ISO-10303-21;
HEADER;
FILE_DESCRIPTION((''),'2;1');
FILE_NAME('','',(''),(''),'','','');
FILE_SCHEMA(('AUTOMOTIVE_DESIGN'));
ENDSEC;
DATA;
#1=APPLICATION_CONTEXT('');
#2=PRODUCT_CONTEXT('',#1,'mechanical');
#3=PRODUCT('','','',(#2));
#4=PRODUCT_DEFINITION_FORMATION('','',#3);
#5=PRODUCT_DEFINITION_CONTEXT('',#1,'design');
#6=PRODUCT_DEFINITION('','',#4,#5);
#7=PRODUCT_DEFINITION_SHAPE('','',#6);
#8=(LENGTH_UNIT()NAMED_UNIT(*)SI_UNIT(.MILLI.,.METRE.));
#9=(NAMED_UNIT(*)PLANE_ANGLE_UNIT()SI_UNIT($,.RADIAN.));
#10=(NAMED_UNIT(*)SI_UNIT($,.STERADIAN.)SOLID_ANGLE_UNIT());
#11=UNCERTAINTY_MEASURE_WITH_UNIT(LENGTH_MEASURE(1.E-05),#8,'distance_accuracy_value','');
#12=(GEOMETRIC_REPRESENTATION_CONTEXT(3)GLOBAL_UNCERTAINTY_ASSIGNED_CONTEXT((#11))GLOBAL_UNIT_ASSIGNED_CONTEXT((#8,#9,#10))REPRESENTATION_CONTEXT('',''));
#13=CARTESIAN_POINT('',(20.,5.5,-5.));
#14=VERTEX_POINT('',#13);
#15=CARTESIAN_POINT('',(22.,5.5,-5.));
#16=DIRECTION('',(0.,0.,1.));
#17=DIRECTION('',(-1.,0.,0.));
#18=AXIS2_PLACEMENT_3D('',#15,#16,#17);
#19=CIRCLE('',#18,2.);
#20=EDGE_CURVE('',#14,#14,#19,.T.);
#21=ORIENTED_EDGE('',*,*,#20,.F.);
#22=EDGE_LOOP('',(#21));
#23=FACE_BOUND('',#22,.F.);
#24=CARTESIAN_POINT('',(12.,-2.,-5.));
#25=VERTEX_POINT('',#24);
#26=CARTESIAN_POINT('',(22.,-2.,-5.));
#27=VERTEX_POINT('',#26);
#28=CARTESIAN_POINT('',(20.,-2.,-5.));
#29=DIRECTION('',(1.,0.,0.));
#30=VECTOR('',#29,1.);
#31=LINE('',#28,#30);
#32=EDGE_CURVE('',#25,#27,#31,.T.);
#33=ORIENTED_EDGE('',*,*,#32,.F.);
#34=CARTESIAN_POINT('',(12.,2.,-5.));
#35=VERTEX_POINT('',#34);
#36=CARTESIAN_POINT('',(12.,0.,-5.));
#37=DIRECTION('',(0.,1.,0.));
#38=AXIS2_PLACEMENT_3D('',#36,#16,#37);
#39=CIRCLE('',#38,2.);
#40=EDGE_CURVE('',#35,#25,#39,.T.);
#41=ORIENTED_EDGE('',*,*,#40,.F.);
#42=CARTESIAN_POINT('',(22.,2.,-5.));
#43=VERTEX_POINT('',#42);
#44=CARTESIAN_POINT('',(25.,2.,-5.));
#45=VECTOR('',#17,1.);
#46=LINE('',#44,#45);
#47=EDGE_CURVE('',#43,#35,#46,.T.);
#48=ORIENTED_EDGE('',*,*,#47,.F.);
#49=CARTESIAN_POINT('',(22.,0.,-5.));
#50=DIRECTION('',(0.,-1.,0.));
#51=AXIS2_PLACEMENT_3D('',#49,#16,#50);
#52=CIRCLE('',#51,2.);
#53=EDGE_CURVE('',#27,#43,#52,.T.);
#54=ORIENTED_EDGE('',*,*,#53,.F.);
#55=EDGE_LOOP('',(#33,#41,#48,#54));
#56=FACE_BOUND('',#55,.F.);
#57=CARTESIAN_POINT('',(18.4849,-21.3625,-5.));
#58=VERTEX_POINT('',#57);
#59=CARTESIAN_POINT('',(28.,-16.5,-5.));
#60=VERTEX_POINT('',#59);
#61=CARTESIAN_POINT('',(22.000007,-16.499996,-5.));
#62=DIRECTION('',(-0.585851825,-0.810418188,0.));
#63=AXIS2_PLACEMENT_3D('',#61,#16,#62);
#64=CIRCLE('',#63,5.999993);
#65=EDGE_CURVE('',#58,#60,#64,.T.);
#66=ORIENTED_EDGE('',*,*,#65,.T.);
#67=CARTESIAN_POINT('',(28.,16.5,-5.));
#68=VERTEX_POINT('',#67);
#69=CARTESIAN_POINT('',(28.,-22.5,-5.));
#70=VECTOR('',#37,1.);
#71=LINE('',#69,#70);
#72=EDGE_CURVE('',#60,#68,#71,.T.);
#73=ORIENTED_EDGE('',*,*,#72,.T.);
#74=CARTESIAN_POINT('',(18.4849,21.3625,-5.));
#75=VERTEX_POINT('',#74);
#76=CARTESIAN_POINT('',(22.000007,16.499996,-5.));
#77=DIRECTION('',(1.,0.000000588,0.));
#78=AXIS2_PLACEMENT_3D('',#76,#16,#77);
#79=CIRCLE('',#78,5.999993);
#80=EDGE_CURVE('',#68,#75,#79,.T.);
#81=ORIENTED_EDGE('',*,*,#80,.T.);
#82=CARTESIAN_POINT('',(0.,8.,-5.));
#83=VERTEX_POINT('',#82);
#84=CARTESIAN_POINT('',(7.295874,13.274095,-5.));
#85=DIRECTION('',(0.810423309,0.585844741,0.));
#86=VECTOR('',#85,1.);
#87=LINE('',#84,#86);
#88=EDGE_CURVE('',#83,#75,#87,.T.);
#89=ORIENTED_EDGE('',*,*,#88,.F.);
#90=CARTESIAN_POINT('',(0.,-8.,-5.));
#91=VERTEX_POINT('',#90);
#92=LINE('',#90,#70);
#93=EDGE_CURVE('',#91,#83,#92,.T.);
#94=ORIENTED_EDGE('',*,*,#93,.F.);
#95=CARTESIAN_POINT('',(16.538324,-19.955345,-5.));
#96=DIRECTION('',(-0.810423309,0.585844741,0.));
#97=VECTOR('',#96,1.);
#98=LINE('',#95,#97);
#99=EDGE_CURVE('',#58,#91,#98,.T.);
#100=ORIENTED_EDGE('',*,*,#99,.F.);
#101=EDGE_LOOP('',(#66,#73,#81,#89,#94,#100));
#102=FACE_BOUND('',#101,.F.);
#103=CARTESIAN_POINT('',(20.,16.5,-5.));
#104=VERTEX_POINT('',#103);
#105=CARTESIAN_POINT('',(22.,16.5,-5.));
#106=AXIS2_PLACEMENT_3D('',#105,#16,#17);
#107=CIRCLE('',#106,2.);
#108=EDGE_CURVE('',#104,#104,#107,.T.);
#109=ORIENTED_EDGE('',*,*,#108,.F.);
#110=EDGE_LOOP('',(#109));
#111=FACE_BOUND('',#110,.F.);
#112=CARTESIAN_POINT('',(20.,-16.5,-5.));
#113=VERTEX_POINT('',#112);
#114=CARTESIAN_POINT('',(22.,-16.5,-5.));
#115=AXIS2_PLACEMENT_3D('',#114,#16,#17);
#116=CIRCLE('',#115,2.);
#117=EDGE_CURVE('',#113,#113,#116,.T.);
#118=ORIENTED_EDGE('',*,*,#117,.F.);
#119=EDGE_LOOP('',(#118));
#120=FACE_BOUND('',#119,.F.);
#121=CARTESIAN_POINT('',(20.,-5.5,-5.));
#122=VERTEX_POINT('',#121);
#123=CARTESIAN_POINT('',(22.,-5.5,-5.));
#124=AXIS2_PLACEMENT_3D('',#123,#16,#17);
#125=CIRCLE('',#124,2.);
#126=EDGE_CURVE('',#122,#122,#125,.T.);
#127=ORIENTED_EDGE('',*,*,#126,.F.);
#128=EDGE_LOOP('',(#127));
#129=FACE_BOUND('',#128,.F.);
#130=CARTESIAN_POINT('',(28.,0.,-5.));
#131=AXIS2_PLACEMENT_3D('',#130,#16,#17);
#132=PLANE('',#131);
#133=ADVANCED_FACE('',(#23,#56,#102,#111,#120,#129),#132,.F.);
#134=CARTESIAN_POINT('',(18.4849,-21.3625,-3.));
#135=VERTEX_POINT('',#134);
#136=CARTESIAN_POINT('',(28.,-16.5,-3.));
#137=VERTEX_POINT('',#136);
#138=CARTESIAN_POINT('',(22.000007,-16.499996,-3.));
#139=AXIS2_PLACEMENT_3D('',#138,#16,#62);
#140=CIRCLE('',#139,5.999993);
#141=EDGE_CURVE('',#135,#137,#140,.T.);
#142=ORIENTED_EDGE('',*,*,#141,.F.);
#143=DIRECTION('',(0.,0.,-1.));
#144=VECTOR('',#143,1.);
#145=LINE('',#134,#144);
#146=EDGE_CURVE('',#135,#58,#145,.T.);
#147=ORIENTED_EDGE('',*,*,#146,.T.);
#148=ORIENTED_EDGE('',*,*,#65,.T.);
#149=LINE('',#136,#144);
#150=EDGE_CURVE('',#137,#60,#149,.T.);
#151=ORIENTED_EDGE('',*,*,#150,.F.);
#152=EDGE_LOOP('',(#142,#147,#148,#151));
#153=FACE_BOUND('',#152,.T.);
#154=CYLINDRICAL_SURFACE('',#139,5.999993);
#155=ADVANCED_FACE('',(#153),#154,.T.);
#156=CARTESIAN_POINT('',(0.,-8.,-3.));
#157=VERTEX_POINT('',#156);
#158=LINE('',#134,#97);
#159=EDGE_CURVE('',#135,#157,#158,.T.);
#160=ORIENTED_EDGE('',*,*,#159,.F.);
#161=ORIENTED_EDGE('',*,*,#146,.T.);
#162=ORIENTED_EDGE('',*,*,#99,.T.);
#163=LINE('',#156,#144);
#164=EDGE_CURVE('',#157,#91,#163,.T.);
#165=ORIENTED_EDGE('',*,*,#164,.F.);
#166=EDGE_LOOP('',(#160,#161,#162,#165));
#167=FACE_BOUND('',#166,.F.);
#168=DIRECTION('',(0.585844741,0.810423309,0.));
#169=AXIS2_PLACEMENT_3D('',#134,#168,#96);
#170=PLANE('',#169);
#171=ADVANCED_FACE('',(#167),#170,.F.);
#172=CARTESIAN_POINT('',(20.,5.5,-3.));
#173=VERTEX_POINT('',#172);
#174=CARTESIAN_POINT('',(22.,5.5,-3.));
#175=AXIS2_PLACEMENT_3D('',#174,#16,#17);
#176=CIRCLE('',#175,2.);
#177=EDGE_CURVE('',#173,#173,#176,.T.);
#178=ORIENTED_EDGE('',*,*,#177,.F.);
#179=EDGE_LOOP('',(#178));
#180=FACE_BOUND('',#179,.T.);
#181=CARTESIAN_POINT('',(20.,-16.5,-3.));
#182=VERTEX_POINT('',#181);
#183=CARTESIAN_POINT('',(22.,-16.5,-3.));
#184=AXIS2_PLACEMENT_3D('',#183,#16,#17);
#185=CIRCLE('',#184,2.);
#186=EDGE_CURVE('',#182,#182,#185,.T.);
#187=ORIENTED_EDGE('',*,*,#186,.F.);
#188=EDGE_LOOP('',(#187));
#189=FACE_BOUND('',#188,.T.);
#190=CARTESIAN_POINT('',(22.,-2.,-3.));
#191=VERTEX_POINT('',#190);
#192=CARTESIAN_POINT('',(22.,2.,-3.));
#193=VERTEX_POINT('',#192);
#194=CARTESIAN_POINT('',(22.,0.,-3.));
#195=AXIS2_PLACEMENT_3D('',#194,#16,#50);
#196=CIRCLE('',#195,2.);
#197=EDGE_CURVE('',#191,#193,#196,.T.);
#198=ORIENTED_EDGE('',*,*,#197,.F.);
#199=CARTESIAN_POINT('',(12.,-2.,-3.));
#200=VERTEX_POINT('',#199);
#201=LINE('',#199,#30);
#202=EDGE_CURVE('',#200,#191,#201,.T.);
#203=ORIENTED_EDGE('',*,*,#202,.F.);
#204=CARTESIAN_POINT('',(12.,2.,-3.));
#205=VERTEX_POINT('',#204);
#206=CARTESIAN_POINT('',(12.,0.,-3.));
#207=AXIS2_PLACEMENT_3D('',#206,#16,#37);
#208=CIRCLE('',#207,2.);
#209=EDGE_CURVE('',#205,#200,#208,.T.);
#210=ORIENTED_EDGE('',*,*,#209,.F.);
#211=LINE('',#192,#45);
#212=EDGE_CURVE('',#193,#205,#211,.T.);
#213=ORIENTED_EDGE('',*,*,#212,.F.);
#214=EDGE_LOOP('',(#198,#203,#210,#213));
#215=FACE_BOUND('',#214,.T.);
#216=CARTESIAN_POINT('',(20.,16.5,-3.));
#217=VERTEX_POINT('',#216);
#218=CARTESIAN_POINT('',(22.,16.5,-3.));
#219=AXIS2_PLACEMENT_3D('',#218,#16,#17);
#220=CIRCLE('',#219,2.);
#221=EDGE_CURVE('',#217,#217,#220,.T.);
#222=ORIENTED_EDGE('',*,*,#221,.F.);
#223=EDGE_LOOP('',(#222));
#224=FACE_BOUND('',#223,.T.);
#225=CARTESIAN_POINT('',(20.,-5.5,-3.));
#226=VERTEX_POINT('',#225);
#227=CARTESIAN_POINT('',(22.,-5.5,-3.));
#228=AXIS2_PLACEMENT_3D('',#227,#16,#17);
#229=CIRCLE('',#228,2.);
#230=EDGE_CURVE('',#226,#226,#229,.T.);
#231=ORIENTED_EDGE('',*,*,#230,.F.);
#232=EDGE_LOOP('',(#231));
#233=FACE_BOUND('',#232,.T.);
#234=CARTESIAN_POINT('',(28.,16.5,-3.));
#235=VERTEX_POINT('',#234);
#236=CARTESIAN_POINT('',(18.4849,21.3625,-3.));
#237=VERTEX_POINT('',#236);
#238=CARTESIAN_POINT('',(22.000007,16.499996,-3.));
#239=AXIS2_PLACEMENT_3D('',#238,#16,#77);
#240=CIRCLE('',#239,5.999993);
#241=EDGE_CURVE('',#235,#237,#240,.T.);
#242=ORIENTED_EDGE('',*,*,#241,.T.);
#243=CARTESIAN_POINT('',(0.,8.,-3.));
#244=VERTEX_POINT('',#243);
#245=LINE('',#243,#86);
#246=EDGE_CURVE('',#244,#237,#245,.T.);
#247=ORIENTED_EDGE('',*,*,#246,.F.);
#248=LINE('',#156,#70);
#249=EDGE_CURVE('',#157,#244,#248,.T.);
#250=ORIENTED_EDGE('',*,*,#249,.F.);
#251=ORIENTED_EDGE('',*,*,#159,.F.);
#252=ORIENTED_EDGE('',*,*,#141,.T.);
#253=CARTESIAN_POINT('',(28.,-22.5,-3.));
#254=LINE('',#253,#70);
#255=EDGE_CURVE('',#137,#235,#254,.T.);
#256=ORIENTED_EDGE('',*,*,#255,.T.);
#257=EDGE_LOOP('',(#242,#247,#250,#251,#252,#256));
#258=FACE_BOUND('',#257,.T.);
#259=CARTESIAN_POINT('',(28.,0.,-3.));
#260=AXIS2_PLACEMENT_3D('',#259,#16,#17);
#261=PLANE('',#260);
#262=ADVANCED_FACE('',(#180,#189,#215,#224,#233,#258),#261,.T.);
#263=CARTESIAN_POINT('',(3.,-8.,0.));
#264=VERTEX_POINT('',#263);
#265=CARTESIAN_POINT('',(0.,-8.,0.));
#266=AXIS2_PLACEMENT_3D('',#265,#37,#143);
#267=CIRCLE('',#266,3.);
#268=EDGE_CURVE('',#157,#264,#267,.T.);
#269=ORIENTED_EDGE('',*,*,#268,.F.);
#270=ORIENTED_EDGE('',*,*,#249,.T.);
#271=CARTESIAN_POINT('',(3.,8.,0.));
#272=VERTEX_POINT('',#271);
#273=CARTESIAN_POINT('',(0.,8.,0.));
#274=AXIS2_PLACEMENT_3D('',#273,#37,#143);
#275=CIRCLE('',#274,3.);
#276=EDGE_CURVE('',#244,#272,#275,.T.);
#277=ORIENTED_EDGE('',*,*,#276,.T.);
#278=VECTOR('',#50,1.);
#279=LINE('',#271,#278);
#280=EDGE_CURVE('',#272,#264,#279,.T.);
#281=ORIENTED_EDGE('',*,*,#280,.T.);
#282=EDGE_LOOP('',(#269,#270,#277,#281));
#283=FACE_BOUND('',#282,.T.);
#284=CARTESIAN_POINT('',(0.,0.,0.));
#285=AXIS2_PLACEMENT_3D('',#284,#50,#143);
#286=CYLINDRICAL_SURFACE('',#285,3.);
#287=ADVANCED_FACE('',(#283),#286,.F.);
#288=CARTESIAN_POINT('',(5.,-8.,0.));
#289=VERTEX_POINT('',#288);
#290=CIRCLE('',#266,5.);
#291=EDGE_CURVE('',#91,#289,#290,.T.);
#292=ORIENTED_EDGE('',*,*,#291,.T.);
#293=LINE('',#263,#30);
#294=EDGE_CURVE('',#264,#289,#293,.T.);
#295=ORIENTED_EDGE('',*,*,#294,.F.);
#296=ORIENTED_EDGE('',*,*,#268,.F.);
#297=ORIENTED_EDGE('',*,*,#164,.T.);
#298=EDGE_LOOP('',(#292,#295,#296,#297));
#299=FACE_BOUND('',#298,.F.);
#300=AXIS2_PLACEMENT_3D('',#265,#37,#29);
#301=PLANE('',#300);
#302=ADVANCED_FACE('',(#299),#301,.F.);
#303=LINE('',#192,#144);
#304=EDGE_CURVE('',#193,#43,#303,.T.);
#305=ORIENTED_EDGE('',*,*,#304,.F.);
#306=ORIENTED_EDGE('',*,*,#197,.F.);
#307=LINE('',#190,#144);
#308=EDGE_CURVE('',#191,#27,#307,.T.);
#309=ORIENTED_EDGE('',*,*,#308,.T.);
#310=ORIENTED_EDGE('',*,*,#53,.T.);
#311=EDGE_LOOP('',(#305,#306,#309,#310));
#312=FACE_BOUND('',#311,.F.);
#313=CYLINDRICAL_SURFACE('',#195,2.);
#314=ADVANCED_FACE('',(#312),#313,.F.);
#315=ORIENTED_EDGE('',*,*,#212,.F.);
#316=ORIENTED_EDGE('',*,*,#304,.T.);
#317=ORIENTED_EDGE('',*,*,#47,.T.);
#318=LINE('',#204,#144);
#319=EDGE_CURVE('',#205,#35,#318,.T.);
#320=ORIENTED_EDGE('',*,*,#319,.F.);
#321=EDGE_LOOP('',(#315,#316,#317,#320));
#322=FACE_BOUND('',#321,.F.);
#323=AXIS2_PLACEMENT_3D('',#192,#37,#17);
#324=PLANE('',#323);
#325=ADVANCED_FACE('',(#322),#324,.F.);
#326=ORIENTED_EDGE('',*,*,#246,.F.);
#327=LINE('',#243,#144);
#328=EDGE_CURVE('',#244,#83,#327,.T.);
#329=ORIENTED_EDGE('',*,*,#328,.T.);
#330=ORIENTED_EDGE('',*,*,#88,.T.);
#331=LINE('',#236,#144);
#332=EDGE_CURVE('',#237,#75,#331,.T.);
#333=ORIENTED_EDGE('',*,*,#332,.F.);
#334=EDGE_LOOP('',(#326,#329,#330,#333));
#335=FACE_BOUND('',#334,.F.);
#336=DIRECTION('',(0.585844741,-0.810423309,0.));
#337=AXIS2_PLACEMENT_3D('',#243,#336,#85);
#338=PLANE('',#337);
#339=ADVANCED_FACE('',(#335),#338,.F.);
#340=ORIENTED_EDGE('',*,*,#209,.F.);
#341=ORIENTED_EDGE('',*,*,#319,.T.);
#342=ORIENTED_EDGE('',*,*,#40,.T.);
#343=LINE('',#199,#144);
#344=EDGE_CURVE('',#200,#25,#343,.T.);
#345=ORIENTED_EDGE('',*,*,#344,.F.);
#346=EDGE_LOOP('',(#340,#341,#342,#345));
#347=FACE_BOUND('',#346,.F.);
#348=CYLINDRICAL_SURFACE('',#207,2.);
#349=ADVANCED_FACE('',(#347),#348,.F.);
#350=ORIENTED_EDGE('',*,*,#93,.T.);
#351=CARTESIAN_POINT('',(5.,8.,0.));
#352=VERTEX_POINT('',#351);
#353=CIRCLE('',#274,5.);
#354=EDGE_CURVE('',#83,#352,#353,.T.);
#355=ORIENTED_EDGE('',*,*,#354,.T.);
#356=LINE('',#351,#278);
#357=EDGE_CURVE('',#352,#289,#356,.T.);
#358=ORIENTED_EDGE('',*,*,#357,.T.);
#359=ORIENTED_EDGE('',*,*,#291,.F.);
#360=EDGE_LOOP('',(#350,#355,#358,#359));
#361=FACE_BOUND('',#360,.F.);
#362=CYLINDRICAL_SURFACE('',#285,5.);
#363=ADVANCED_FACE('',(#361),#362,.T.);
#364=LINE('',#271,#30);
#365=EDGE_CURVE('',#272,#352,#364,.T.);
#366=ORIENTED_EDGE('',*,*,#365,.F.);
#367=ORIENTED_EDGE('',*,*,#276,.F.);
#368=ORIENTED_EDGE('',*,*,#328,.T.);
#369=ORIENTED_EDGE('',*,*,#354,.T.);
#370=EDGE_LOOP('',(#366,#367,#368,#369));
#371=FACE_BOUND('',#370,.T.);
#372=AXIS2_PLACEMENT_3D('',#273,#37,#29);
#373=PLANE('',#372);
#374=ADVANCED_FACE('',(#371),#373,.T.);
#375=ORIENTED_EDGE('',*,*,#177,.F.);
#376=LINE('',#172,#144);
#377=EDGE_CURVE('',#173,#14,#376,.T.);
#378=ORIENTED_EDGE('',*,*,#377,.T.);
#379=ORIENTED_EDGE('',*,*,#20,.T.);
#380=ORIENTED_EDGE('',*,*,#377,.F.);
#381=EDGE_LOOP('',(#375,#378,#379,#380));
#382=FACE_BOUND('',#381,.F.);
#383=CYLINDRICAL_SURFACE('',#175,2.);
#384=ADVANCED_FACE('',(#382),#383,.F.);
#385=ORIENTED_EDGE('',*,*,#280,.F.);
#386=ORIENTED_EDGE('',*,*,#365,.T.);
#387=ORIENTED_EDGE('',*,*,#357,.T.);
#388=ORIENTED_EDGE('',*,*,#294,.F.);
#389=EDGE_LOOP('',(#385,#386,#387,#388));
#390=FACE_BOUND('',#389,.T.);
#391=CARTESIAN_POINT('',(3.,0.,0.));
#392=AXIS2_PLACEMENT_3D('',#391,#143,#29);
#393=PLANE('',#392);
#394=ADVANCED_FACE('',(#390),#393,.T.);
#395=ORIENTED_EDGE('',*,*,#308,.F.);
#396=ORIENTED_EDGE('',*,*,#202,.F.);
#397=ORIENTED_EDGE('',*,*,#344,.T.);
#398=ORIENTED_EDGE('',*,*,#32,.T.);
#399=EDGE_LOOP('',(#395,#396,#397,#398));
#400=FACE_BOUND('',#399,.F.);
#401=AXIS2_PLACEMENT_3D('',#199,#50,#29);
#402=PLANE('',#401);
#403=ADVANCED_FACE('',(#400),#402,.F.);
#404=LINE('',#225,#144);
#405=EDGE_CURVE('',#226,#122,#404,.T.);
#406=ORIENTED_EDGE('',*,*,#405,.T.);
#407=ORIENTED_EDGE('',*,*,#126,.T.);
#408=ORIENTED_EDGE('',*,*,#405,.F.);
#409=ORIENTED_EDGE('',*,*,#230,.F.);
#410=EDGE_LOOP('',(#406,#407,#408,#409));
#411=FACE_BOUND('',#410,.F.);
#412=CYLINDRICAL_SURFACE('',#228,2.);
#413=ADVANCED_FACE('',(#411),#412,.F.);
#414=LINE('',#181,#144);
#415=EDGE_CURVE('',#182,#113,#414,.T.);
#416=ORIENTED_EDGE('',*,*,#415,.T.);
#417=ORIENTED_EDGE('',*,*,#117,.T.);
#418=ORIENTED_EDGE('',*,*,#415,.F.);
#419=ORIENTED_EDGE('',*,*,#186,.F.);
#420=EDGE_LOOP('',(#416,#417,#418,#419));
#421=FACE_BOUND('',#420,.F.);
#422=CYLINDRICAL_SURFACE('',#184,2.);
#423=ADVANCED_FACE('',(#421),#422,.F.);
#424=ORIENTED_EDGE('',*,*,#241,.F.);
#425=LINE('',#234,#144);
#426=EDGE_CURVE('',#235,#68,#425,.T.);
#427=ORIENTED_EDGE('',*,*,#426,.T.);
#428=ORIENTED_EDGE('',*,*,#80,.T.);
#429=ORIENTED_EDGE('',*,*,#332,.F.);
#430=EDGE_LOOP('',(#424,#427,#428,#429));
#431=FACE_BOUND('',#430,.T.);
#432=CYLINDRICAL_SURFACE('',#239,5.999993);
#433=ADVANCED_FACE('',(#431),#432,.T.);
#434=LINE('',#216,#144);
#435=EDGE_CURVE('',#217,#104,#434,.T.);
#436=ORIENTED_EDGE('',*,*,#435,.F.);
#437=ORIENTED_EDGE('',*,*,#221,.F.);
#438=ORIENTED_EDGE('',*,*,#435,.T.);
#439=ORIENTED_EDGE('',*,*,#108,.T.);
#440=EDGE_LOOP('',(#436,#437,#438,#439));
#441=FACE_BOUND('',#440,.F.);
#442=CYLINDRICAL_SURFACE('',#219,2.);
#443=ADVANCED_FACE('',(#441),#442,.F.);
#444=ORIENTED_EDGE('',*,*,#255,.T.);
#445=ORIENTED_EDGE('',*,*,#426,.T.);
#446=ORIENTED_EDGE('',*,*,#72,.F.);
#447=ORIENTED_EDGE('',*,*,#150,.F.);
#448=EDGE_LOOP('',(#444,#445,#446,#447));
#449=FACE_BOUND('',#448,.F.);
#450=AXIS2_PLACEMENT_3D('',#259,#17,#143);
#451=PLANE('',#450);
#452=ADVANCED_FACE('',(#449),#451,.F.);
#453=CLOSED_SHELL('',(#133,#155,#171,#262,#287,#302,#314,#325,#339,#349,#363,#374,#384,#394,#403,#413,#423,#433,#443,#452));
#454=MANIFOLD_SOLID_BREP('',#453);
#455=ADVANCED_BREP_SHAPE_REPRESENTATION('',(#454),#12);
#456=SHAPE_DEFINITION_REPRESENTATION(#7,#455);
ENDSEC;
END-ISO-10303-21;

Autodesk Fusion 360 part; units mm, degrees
sketch "草图1" plane through (0, 0, 0) normal (0, 1, 0) x (1, 0, 0)
  line L0 (28, 3) -> (28, 5)
  line L1 (28, 5) -> (0, 5)
  arc A0 (0, 5) -> (5, 0) centre (0, 0) ccw
  line L2 (28, 3) -> (0, 3)
  arc A1 (0, 3) -> (3, 0) centre (0, 0) ccw
  line L3 (3, 0) -> (5, 0)
  line L4 (0, 3) -> (0, 5)
  dimension "d1" = 2
  dimension "d2" = 3
  dimension "d3" = 5
  dimension "d4" = 2
  dimension "d5" = 28
extrude "拉伸1" add sketch "草图1" along normal mid plane 16 contours A0 A1 L3 L4
extrude "拉伸2" add sketch "草图1" along normal mid plane 45 contours L0 L1 L2 L4
sketch "草图2" plane through (0, 0, -3) normal (0, 0, 1) x (-1, 0, 0)
  line L0 (-28, 22.5) -> (-28, -22.5)
  line L1 (-28, -22.5) -> (0, -22.5)
  line L2 (0, -22.5) -> (0, -8)
  line L3 (0, -8) -> (0, 8)
  line L4 (0, 8) -> (0, 22.5)
  line L5 (0, 22.5) -> (-28, 22.5)
  line L6 (0, -8) -> (-18.4849, -21.3625)
  arc A0 (-28, -16.5) -> (-18.4849, -21.3625) centre (-22, -16.5) ccw
  line L7 (-28, -16.5) -> (-28, 16.5)
  arc A1 (-18.4849, 21.3625) -> (-28, 16.5) centre (-22, 16.5) ccw
  line L8 (-18.4849, 21.3625) -> (0, 8)
  line L9 (0, 8) -> (0, -8)
  line L10 (10, 0) -> (-55, 0) construction
  circle A2 centre (-22, -16.5) radius 2
  circle A3 centre (-22, 16.5) radius 2
  line L11 (-22, -16.5) -> (-22, 16.5) construction
  circle A4 centre (-22, -5.5) radius 2
  circle A5 centre (-22, 5.5) radius 2
  circle A6 centre (-22, 16.5) radius 2
  line L12 (-12, 2) -> (-22, 2)
  arc A7 (-22, 2) -> (-22, -2) centre (-22, 0) ccw
  line L13 (-22, -2) -> (-12, -2)
  arc A8 (-12, -2) -> (-12, 2) centre (-12, 0) ccw
  dimension "d10" = 6
  dimension "d11" = 6
  dimension "d12" = 45
  dimension "d13" = 4
  dimension "d14" = 4
  dimension "d17" = 33
  dimension "d18" = 0
  dimension "d19" = 4
  dimension "d20" = 14
extrude "拉伸3" cut sketch "草图2" against normal blind 11 contours L0 L5 A1 | L4 L5 A1 L8 | L0 L1 A0 | L1 L2 L6 A0 | A2 | A3 A6 | A4 | A5 | L12 A7 L13 A8
